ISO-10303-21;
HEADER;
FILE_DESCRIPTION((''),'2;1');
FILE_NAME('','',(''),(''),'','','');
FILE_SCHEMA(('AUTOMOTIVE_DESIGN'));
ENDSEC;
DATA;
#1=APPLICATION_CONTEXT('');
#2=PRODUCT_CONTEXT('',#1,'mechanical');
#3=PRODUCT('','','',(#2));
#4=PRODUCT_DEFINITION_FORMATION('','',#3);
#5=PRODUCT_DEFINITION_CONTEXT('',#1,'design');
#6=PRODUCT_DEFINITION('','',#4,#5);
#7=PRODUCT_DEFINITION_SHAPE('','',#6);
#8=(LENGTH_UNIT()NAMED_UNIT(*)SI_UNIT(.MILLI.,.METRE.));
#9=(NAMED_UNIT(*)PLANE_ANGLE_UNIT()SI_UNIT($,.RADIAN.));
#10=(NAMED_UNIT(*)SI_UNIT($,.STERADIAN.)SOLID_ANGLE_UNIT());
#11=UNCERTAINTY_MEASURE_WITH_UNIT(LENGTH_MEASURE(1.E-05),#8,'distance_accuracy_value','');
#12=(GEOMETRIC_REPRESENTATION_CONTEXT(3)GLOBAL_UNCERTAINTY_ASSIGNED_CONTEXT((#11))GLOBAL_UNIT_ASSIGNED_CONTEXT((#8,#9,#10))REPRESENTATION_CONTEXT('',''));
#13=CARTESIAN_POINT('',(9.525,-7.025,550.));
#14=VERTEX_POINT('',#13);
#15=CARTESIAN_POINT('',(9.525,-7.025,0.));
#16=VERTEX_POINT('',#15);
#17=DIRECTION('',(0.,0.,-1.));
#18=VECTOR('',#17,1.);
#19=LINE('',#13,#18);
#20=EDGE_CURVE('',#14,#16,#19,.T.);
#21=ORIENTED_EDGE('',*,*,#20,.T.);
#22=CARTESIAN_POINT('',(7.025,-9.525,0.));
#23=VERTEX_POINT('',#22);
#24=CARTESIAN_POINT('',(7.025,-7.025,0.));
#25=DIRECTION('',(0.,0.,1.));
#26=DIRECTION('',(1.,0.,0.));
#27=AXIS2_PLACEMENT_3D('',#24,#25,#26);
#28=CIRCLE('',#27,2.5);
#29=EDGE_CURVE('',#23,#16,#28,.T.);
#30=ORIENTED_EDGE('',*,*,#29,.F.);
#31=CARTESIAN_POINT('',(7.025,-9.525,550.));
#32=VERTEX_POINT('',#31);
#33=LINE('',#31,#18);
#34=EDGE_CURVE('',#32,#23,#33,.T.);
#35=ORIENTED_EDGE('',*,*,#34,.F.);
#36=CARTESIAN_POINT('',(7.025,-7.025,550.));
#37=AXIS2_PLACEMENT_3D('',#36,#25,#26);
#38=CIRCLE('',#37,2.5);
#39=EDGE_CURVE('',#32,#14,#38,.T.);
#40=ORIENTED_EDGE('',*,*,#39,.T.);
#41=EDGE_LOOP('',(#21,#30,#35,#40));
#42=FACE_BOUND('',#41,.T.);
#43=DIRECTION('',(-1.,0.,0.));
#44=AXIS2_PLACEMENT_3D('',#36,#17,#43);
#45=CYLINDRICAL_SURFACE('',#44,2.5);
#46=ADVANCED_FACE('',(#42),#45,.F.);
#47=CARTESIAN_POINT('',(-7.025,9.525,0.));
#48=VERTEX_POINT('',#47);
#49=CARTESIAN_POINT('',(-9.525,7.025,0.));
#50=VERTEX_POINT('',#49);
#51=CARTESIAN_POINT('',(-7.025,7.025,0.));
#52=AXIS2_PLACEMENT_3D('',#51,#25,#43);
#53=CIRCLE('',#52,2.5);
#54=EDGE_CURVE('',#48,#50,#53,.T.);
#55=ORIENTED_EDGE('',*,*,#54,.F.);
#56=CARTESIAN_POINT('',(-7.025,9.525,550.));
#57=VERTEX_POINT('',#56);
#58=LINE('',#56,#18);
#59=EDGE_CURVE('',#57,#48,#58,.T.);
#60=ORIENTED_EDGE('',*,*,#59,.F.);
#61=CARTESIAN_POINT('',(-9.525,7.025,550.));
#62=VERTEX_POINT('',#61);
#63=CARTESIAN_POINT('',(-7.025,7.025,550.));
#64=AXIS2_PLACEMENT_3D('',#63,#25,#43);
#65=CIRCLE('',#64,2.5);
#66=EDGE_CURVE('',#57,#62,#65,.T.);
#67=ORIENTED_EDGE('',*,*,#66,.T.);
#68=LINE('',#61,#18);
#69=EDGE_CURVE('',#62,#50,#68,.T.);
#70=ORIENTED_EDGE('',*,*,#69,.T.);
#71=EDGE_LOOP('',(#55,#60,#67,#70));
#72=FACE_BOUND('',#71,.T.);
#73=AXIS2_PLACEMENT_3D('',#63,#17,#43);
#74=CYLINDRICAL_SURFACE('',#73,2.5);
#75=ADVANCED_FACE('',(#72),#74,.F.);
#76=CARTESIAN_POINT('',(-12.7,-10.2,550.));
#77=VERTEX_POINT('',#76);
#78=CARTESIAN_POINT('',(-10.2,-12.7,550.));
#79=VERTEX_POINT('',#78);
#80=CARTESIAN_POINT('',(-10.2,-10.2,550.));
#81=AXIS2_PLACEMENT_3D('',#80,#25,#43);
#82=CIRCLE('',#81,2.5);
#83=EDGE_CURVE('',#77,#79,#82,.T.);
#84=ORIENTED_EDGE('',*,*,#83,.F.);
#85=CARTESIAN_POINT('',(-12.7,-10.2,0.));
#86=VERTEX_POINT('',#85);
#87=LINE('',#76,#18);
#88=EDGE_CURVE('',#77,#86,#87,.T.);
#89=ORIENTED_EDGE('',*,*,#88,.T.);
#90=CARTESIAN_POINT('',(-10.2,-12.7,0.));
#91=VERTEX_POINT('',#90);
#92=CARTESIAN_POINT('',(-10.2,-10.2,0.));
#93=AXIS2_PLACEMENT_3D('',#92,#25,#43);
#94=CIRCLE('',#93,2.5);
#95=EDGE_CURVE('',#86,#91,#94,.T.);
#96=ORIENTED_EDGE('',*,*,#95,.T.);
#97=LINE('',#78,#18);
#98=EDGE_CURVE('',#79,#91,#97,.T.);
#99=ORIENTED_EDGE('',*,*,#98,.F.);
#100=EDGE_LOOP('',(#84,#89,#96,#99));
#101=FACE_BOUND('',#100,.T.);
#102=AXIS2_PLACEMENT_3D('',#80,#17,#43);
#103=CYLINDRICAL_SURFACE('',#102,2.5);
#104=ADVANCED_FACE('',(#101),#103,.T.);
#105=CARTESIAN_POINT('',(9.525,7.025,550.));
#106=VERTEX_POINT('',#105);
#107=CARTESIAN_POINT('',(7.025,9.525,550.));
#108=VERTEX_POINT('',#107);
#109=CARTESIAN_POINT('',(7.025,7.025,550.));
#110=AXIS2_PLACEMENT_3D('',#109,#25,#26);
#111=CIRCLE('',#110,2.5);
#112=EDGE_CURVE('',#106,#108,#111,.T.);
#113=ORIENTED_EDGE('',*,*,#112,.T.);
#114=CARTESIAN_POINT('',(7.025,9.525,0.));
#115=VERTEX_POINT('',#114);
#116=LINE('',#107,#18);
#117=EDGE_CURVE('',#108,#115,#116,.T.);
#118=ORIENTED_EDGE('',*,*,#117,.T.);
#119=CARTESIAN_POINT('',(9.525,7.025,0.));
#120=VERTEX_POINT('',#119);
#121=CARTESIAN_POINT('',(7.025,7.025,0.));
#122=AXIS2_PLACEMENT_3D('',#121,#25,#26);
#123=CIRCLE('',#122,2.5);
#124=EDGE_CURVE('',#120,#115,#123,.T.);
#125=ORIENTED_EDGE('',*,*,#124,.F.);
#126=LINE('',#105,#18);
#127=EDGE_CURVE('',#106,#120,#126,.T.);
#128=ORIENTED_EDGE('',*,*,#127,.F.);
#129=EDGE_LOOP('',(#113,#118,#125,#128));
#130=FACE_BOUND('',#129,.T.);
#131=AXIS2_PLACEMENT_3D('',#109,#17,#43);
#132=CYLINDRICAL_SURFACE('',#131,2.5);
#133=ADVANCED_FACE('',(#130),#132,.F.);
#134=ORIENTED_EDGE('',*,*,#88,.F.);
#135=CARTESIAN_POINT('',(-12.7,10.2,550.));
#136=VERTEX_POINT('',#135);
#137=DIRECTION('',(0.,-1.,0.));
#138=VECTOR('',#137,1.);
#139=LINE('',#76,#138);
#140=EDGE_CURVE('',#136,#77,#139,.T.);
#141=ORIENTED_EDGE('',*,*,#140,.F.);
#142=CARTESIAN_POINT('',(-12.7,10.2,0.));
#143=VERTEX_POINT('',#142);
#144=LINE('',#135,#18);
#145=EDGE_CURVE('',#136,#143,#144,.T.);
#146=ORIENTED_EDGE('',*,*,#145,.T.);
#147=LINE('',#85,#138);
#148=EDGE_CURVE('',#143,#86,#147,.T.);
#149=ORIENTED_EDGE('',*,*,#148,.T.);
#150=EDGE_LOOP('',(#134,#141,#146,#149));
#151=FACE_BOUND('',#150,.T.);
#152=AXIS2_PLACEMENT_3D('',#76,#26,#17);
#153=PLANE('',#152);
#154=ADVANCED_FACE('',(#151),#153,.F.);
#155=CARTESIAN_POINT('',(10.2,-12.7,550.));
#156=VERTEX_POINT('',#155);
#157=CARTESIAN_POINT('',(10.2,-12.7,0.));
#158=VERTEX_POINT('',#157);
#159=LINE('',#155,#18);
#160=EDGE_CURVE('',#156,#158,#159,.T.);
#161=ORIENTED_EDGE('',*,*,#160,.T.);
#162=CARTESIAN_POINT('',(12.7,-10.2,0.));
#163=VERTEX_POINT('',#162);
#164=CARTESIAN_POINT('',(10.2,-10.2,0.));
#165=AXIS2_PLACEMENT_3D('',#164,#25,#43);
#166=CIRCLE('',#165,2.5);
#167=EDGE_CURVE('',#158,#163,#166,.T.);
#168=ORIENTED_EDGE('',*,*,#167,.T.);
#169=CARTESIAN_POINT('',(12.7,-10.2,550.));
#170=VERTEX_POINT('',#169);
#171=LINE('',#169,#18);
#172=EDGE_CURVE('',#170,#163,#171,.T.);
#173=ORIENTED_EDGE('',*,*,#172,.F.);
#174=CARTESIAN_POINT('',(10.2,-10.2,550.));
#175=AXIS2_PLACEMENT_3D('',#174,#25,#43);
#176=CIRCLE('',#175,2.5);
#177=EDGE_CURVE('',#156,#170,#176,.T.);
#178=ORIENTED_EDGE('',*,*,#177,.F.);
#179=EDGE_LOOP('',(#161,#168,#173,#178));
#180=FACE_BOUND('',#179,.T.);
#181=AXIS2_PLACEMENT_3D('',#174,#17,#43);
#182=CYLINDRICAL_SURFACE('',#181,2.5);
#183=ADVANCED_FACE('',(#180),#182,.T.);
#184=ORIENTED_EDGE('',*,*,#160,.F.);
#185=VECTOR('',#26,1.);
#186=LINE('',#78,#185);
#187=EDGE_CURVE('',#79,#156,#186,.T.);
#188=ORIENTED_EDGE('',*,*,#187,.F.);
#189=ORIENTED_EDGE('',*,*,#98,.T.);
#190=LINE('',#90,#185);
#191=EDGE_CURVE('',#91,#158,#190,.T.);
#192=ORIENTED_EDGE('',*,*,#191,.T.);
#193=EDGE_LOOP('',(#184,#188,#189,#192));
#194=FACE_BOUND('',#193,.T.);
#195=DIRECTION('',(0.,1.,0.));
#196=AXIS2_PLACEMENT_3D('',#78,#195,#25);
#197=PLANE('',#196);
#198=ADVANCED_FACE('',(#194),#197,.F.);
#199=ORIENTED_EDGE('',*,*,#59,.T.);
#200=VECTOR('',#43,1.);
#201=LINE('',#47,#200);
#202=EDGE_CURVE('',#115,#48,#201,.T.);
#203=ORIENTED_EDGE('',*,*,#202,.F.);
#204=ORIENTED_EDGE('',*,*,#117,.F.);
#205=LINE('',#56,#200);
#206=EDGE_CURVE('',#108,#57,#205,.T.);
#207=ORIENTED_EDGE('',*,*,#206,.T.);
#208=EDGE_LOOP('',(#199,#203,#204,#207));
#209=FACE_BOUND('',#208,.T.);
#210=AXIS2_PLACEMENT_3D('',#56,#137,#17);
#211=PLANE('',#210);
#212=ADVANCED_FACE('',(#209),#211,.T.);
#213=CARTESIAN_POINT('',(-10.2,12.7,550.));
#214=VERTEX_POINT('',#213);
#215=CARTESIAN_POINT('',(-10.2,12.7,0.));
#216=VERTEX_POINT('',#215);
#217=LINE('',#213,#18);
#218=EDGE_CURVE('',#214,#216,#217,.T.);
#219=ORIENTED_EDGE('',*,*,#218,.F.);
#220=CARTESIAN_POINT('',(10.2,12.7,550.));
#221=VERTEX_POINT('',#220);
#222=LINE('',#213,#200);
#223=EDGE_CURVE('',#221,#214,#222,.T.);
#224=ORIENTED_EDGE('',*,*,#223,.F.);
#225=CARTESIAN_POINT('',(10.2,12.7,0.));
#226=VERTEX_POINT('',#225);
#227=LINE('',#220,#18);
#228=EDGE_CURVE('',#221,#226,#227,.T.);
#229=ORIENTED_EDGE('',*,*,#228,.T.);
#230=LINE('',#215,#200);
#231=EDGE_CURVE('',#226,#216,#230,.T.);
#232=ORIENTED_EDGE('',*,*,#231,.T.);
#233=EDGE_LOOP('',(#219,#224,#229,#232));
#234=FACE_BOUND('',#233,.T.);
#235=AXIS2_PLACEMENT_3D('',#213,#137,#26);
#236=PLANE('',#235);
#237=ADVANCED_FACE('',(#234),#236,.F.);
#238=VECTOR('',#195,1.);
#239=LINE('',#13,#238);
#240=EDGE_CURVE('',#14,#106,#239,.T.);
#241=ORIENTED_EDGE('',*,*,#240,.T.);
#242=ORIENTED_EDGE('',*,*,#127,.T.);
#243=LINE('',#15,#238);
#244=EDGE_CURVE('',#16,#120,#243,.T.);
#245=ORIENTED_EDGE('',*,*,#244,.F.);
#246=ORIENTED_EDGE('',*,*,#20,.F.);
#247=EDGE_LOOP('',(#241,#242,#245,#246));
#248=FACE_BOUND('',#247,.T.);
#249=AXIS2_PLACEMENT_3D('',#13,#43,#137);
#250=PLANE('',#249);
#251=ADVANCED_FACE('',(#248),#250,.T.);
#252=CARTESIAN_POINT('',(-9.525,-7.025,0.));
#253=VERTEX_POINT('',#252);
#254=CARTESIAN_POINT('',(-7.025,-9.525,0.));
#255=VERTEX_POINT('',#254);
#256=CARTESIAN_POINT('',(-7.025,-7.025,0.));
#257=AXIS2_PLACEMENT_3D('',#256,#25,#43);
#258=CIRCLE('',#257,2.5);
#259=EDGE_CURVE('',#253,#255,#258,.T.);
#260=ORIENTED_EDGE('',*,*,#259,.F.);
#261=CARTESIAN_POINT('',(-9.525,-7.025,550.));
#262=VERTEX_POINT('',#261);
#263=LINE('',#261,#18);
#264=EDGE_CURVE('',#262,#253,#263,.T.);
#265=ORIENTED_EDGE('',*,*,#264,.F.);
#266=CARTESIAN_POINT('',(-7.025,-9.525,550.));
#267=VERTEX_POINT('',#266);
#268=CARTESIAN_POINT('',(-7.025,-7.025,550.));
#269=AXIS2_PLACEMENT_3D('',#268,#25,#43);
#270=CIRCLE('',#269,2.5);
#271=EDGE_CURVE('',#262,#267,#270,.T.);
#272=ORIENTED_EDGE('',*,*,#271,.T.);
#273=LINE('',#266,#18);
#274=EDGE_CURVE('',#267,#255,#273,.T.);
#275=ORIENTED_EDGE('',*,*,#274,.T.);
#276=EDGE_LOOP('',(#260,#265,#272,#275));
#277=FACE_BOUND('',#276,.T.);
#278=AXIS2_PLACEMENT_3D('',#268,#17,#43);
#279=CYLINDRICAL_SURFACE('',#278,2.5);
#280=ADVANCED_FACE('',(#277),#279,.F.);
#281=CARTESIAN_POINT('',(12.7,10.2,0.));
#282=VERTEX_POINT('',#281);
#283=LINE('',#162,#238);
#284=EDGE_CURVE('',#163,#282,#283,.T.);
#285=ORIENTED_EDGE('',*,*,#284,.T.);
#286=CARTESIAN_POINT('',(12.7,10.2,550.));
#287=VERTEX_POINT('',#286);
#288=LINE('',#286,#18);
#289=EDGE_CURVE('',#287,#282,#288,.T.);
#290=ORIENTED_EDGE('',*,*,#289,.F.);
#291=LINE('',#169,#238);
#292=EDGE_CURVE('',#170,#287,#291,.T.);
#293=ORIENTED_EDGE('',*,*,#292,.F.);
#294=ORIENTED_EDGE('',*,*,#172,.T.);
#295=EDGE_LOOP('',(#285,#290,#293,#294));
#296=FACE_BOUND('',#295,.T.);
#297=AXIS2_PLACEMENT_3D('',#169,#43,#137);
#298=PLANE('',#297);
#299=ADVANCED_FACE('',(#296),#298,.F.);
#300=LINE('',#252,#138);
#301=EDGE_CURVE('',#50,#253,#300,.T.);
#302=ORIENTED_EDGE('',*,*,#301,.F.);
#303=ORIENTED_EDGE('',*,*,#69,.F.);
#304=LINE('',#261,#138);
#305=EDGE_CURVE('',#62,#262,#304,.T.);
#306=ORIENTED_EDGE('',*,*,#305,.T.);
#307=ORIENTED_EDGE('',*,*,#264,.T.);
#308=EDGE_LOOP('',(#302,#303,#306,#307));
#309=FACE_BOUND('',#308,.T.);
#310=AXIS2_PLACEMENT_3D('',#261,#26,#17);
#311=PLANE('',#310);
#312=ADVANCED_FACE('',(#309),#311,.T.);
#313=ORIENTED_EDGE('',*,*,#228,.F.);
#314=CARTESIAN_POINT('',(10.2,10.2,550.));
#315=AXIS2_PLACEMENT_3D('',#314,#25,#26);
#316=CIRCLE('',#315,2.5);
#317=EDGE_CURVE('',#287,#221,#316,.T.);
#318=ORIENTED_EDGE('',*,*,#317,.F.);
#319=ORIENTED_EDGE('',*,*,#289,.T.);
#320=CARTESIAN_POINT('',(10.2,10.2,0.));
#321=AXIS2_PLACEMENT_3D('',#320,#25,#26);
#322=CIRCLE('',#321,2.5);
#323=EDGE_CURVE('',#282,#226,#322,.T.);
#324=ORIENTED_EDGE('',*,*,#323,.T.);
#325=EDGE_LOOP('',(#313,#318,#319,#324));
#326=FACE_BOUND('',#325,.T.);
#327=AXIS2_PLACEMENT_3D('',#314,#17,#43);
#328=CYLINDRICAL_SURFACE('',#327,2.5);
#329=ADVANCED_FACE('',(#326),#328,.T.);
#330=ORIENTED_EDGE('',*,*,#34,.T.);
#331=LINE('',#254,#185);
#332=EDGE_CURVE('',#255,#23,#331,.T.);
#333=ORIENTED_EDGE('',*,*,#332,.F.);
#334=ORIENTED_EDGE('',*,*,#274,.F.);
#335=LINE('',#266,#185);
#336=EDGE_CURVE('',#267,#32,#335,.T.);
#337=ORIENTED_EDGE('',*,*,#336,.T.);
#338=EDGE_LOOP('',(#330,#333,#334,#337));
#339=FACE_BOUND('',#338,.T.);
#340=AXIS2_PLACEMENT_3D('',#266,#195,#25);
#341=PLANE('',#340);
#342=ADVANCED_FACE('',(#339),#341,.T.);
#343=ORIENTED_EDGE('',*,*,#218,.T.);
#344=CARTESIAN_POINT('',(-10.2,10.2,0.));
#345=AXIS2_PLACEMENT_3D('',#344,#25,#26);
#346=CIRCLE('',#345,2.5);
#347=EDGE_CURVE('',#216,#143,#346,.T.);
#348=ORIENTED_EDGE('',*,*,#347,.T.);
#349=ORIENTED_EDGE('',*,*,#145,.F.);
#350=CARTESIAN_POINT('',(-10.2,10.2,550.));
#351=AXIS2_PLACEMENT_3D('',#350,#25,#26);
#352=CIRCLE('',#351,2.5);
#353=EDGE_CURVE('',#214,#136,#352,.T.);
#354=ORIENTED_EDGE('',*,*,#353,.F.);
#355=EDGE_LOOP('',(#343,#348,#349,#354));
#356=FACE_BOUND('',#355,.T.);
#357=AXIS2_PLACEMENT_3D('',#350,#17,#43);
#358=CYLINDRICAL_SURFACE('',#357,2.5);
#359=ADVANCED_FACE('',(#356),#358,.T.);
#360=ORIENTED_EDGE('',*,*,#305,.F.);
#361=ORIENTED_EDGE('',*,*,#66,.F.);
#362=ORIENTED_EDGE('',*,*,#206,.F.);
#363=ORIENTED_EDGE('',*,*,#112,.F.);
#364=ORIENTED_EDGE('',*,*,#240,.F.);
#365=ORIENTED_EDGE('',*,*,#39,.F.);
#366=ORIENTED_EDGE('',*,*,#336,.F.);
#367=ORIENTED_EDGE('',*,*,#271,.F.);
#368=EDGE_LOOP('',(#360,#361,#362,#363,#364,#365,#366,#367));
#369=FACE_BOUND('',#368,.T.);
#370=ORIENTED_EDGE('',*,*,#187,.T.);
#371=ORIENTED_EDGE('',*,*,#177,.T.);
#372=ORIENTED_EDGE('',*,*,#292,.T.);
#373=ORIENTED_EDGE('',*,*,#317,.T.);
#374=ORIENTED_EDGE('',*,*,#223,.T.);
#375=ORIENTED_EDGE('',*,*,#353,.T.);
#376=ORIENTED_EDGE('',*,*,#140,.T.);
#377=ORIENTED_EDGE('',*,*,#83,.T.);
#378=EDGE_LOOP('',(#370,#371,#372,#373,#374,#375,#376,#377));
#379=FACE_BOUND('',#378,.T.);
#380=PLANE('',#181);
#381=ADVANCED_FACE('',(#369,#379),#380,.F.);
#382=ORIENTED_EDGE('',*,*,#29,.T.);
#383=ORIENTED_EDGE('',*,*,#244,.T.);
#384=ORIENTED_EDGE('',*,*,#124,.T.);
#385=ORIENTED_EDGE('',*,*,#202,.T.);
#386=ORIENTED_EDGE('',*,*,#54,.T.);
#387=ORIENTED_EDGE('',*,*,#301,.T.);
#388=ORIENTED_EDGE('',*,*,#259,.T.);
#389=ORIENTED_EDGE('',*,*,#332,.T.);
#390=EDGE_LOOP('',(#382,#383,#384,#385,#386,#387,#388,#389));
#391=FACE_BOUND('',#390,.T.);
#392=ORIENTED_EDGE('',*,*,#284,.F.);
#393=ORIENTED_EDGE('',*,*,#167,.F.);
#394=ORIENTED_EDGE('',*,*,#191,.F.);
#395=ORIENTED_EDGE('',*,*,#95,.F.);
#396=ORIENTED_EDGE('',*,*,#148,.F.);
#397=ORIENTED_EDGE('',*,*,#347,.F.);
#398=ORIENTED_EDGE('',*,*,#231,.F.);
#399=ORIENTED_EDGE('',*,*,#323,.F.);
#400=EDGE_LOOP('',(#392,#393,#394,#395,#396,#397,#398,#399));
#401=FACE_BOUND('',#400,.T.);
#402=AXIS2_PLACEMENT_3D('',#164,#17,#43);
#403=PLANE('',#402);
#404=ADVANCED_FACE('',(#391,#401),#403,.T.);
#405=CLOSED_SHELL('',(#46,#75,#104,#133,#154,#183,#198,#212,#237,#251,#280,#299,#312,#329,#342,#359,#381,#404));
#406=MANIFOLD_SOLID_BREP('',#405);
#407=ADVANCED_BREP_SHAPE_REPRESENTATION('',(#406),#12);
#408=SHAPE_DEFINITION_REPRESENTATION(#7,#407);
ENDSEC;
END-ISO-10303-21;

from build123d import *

# Parameters (mm, degrees)
SALIENTE_EXTRUIR1_DEPTH = 550


with BuildPart() as part:
    # Croquis1 → Saliente-Extruir1 (new body)
    with BuildSketch(Plane.XY):
        with BuildLine():
            Line((-10.2, -12.7), (10.2, -12.7))
            ThreePointArc((10.2, -12.7), (11.967766953, -11.967766953), (12.7, -10.2))
            Line((12.7, -10.2), (12.7, 10.2))
            ThreePointArc((12.7, 10.2), (11.967766953, 11.967766953), (10.2, 12.7))
            Line((10.2, 12.7), (-10.2, 12.7))
            ThreePointArc((-10.2, 12.7), (-11.967766953, 11.967766953), (-12.7, 10.2))
            Line((-12.7, 10.2), (-12.7, -10.2))
            ThreePointArc((-12.7, -10.2), (-11.967766953, -11.967766953), (-10.2, -12.7))
        make_face()
        with BuildLine():
            Line((-7.025, -9.525), (7.025, -9.525))
            ThreePointArc((7.025, -9.525), (8.792766953, -8.792766953), (9.525, -7.025))
            Line((9.525, -7.025), (9.525, 7.025))
            ThreePointArc((9.525, 7.025), (8.792766953, 8.792766953), (7.025, 9.525))
            Line((7.025, 9.525), (-7.025, 9.525))
            ThreePointArc((-7.025, 9.525), (-8.792766953, 8.792766953), (-9.525, 7.025))
            Line((-9.525, 7.025), (-9.525, -7.025))
            ThreePointArc((-9.525, -7.025), (-8.792766953, -8.792766953), (-7.025, -9.525))
        make_face(mode=Mode.SUBTRACT)
    extrude(amount=SALIENTE_EXTRUIR1_DEPTH)


solid = part.part
